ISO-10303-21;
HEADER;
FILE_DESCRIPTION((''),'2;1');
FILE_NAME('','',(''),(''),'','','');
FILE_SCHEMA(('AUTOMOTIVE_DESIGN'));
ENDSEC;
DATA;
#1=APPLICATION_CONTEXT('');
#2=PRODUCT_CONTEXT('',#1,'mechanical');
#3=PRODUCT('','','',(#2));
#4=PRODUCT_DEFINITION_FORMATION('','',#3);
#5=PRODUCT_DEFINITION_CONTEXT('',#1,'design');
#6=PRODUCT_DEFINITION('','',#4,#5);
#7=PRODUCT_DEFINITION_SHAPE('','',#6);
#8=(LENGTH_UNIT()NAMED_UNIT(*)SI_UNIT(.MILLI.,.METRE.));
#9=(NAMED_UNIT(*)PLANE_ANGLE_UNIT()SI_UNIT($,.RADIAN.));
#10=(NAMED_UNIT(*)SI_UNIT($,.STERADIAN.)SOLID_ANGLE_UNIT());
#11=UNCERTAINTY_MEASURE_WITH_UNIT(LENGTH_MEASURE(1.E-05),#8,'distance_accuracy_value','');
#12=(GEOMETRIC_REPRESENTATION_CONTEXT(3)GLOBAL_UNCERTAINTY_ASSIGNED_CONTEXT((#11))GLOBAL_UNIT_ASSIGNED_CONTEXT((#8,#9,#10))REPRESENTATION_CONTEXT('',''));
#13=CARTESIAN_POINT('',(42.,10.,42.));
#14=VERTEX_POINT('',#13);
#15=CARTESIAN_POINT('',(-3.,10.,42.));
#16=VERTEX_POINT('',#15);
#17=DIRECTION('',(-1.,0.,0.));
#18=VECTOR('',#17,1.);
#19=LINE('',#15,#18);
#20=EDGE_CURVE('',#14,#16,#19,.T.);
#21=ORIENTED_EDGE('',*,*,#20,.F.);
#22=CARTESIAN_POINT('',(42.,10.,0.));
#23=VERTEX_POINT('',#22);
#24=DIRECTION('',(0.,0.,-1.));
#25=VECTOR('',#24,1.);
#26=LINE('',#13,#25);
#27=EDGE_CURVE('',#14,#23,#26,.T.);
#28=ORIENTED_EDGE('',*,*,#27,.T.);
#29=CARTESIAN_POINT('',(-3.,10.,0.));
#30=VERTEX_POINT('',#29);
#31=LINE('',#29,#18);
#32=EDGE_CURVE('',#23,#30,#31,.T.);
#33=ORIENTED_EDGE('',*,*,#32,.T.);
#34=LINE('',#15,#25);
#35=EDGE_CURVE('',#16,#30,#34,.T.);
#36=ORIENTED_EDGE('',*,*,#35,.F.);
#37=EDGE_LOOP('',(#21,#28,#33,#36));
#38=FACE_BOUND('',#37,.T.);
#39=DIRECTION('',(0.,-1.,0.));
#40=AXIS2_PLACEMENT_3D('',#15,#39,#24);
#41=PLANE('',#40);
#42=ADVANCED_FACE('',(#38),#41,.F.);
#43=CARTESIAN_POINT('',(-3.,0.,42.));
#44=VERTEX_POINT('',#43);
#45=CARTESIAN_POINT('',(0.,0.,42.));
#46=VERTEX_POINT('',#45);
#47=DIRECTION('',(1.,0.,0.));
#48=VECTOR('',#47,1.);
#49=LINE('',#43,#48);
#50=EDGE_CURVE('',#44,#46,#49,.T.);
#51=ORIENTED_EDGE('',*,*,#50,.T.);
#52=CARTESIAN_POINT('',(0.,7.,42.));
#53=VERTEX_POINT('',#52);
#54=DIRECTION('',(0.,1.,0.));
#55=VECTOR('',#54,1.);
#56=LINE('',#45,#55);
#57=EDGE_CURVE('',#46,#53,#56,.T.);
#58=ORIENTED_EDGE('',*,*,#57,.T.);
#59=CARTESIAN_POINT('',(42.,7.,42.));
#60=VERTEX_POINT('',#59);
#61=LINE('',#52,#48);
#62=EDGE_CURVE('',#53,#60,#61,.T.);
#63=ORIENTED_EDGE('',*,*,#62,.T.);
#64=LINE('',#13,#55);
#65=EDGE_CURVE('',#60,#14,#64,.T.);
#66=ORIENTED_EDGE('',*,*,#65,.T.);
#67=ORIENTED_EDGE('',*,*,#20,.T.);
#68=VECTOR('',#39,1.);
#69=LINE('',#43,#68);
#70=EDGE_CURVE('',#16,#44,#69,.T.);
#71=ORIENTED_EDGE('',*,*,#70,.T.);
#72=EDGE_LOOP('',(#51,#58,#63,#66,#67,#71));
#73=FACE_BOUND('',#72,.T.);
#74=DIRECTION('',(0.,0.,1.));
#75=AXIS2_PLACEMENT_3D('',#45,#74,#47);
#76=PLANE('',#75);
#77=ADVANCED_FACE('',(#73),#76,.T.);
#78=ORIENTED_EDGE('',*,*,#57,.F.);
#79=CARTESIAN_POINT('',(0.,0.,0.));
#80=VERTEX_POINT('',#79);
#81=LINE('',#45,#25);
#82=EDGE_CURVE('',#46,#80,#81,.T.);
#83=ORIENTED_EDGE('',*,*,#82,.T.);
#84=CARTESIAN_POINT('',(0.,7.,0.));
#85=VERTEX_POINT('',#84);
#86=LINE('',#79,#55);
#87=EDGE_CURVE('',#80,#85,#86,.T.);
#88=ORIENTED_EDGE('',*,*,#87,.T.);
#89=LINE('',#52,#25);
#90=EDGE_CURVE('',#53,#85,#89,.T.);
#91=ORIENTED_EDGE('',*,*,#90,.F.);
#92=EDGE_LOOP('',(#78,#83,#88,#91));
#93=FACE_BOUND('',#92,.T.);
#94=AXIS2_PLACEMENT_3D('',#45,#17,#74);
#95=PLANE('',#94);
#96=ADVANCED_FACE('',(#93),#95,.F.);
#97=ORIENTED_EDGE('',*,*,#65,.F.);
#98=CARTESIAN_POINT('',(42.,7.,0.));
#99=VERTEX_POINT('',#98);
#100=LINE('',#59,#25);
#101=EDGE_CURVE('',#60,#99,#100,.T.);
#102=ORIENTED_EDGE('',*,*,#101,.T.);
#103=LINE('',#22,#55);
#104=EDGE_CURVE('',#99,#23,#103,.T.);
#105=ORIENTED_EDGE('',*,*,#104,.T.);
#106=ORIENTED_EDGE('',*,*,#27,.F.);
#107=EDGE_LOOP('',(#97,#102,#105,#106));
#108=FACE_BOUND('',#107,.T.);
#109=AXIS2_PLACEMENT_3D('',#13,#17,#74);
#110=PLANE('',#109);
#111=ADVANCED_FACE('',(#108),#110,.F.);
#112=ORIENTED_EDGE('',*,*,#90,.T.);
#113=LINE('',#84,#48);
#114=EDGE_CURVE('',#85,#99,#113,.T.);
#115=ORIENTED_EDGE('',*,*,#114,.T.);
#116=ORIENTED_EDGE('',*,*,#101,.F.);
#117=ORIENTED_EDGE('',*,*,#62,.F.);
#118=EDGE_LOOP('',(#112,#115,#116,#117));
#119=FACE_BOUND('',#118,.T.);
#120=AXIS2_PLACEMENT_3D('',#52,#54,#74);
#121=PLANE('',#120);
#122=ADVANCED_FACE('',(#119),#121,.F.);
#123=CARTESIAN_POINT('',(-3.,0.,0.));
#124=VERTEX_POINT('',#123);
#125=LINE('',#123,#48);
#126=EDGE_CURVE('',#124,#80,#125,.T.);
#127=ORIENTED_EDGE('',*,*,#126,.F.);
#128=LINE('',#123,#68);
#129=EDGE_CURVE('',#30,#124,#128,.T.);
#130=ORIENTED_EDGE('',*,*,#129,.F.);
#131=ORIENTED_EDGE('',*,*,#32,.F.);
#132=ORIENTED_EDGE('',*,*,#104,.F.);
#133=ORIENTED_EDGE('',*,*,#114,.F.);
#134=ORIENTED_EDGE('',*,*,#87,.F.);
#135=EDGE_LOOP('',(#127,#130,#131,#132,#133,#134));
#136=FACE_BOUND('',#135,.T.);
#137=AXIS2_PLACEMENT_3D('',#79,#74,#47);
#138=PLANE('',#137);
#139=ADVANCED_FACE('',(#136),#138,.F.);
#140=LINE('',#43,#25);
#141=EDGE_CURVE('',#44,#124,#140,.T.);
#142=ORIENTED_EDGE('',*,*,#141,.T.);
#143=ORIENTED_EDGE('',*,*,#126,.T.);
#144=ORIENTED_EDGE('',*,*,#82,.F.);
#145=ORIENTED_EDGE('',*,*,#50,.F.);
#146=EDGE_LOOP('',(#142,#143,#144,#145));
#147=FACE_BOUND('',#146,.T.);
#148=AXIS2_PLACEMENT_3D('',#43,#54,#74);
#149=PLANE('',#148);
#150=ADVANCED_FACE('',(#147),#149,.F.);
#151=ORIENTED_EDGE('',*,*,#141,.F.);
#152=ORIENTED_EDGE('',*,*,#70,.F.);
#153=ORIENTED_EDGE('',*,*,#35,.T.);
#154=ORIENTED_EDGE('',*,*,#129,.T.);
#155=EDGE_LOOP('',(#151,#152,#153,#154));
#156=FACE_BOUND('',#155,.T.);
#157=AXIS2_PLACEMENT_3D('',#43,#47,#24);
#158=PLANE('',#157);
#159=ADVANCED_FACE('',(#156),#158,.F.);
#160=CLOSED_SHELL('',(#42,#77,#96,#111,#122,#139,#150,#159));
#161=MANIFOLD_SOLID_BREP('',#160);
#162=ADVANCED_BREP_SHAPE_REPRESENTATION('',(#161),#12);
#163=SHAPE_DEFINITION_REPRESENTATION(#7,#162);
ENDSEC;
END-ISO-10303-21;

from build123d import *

# Parameters (mm, degrees)
BOSS_EXTRUDE1_DEPTH = 42


with BuildPart() as part:
    # Sketch1 → Boss-Extrude1 (new body)
    with BuildSketch(Plane.XY):
        Polygon((-3, 0), (-3, 10), (42, 10), (42, 7), (0, 7), (0, 0), align=None)
    extrude(amount=BOSS_EXTRUDE1_DEPTH)


solid = part.part
